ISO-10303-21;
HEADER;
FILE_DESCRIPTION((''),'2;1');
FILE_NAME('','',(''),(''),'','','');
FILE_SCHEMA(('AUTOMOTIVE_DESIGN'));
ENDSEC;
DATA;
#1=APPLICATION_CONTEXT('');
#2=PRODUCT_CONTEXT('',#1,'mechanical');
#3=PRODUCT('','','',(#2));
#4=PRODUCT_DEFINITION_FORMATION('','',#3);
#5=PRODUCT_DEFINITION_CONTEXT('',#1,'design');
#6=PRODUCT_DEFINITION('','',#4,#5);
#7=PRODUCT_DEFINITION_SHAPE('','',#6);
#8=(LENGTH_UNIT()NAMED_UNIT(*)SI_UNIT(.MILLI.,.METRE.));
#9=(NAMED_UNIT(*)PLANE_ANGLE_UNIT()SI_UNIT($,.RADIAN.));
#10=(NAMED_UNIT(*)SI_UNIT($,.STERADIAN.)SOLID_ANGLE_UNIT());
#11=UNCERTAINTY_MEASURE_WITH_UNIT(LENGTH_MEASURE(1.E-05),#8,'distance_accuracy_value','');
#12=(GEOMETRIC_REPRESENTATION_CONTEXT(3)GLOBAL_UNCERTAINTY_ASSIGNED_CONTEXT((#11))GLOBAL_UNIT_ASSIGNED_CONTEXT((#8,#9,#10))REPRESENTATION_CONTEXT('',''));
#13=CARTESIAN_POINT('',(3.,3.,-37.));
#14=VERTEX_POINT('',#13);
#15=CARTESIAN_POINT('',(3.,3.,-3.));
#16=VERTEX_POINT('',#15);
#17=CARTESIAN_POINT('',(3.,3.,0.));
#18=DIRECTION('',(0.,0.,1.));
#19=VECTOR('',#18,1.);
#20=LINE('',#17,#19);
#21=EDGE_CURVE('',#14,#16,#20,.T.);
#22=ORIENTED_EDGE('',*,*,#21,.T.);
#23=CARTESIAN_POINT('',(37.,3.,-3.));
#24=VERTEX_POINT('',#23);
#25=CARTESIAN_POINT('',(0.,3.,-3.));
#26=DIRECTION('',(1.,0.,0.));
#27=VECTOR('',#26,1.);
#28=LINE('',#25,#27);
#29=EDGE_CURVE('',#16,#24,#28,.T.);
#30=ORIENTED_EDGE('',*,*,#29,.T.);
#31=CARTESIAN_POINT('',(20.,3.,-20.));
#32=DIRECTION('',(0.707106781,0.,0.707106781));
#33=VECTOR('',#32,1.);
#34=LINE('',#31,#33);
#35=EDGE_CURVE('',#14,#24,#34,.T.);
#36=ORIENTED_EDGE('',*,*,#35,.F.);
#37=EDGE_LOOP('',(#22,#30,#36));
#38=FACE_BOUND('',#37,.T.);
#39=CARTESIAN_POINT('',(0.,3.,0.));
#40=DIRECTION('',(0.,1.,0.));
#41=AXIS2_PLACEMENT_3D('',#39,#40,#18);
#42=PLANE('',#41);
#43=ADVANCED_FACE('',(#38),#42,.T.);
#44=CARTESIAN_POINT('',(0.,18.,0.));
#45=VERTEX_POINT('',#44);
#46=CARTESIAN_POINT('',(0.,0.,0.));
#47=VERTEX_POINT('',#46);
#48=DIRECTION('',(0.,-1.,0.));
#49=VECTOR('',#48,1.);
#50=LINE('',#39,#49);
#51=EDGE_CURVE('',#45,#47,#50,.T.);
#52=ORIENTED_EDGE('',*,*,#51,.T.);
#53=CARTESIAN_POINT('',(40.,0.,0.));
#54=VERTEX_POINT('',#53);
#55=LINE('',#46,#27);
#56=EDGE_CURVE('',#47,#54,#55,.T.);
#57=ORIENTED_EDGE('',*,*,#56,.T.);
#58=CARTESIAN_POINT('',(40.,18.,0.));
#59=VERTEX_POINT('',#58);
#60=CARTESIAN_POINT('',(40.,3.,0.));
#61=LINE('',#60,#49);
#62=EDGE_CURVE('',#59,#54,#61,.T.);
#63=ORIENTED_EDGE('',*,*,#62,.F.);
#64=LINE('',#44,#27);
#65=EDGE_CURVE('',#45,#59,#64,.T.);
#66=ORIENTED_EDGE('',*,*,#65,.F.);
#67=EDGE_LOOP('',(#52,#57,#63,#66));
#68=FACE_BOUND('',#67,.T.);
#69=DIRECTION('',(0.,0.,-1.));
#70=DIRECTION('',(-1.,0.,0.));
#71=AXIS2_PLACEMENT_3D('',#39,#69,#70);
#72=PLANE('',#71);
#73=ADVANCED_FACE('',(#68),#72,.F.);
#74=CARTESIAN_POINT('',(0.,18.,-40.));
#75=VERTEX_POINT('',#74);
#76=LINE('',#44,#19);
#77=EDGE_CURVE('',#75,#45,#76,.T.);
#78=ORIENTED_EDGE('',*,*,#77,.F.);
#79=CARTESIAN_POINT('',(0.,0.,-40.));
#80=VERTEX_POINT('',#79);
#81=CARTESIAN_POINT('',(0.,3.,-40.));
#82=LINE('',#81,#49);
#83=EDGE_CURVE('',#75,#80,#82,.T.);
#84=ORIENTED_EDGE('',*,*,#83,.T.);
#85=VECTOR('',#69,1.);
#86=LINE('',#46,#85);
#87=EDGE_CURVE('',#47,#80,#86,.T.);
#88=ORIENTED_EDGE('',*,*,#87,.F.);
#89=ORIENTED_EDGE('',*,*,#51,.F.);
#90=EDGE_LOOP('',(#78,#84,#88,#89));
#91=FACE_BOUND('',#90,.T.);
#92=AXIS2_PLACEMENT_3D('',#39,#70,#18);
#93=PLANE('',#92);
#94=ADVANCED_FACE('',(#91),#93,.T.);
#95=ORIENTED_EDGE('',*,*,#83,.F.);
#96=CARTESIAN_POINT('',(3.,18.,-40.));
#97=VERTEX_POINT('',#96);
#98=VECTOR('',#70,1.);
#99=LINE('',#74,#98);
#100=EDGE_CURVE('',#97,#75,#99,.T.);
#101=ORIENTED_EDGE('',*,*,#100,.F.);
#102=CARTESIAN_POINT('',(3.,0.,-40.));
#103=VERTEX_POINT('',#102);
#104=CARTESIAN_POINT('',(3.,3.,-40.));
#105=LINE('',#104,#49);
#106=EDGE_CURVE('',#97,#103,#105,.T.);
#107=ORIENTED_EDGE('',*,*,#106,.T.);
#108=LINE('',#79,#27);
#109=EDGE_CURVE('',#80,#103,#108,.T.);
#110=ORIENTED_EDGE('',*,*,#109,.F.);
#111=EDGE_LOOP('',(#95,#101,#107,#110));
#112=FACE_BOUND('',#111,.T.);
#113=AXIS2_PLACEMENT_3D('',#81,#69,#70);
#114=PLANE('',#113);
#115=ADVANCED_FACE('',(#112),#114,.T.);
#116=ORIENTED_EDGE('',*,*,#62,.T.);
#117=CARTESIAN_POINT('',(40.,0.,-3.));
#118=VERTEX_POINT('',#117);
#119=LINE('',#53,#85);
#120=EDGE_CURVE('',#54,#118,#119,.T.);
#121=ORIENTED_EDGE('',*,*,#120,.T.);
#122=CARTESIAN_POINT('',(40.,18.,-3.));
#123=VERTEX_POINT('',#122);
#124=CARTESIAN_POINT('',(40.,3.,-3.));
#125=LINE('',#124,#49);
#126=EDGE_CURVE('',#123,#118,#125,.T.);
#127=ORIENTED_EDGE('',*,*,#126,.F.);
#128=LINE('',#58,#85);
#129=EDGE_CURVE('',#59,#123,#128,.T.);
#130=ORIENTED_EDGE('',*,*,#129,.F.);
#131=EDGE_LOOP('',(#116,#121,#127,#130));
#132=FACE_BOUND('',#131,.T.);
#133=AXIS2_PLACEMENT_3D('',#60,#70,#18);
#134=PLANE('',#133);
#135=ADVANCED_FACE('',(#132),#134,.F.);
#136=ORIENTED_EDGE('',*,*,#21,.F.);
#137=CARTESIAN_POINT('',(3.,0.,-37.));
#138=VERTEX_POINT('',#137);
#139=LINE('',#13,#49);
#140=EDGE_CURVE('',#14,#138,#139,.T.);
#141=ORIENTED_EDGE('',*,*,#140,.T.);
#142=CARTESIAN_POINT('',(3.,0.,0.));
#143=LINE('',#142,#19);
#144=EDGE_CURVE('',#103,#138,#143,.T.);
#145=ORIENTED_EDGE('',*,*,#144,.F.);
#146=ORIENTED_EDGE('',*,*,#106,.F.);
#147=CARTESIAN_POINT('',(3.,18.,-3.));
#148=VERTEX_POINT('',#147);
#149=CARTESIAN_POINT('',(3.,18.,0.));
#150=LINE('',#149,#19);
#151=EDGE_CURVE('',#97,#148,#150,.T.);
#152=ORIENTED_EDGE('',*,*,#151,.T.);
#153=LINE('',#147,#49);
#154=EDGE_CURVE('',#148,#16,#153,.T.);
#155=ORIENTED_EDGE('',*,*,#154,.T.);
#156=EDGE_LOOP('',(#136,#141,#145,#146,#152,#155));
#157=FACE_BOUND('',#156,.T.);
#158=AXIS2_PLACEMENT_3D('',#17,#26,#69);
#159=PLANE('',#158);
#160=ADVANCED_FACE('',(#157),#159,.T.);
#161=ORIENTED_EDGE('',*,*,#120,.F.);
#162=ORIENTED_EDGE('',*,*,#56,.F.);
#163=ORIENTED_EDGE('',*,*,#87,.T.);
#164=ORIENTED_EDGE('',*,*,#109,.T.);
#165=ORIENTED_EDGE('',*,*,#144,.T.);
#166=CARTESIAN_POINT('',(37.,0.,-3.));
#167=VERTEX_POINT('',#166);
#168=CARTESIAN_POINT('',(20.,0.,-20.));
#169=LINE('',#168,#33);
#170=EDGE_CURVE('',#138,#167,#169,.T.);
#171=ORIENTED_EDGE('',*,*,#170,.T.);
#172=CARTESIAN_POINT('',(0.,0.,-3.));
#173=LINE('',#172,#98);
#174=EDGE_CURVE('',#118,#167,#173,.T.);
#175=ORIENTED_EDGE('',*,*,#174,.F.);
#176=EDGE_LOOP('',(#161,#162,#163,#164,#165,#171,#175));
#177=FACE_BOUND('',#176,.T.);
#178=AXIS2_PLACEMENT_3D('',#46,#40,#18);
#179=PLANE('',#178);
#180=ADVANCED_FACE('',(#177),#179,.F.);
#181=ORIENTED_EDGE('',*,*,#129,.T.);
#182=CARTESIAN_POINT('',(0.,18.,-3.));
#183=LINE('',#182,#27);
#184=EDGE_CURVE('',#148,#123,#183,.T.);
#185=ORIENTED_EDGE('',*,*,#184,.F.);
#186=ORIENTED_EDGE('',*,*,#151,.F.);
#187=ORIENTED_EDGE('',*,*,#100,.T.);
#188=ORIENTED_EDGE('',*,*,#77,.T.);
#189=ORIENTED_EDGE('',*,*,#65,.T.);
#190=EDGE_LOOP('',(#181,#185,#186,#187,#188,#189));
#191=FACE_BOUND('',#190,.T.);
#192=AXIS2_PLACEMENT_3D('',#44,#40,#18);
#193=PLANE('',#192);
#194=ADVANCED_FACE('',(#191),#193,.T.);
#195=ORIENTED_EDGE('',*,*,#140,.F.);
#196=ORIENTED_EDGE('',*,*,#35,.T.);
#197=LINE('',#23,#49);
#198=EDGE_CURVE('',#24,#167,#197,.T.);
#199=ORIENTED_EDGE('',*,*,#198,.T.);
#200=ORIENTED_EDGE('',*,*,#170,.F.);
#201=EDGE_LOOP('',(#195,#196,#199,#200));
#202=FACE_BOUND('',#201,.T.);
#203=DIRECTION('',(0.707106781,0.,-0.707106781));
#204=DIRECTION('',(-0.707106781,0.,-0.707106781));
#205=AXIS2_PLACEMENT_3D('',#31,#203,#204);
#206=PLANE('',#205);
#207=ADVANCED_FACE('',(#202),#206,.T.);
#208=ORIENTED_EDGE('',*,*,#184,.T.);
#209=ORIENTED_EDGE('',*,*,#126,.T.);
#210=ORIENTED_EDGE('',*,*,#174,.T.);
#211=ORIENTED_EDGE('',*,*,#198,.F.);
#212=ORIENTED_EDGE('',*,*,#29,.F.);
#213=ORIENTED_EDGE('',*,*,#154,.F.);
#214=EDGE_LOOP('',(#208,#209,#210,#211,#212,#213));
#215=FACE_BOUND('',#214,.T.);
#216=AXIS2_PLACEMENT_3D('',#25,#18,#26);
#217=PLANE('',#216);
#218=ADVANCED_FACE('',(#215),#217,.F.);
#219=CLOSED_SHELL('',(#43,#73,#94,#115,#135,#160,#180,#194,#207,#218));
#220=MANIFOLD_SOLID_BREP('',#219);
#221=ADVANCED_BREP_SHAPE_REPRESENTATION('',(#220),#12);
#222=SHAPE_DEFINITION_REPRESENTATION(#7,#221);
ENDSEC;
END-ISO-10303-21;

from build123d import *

# Parameters (mm, degrees)
EXTRUDE_1_DEPTH = 3
EXTRUDE_2_DEPTH = 15


with BuildPart() as part:
    # 草图1 → 凸台-拉伸1 (new body)
    with BuildSketch(Plane(origin=(0, 0, 0), x_dir=(1, 0, 0), z_dir=(0, 1, 0))):
        Polygon((3, 40), (0, 40), (3, 37), align=None)
        Polygon((0, 40), (40, 0), (0, 0), align=None)
        Polygon((37, 3), (40, 0), (40, 3), align=None)
    extrude(amount=EXTRUDE_1_DEPTH)

    # 草图2 → 凸台-拉伸2 (add)
    with BuildSketch(Plane(origin=(0, 3, 0), x_dir=(1, 0, 0), z_dir=(0, 1, 0))):
        Polygon((3, 3), (3, 40), (0, 40), (0, 0), (40, 0), (40, 3), align=None)
    extrude(amount=EXTRUDE_2_DEPTH)


solid = part.part
